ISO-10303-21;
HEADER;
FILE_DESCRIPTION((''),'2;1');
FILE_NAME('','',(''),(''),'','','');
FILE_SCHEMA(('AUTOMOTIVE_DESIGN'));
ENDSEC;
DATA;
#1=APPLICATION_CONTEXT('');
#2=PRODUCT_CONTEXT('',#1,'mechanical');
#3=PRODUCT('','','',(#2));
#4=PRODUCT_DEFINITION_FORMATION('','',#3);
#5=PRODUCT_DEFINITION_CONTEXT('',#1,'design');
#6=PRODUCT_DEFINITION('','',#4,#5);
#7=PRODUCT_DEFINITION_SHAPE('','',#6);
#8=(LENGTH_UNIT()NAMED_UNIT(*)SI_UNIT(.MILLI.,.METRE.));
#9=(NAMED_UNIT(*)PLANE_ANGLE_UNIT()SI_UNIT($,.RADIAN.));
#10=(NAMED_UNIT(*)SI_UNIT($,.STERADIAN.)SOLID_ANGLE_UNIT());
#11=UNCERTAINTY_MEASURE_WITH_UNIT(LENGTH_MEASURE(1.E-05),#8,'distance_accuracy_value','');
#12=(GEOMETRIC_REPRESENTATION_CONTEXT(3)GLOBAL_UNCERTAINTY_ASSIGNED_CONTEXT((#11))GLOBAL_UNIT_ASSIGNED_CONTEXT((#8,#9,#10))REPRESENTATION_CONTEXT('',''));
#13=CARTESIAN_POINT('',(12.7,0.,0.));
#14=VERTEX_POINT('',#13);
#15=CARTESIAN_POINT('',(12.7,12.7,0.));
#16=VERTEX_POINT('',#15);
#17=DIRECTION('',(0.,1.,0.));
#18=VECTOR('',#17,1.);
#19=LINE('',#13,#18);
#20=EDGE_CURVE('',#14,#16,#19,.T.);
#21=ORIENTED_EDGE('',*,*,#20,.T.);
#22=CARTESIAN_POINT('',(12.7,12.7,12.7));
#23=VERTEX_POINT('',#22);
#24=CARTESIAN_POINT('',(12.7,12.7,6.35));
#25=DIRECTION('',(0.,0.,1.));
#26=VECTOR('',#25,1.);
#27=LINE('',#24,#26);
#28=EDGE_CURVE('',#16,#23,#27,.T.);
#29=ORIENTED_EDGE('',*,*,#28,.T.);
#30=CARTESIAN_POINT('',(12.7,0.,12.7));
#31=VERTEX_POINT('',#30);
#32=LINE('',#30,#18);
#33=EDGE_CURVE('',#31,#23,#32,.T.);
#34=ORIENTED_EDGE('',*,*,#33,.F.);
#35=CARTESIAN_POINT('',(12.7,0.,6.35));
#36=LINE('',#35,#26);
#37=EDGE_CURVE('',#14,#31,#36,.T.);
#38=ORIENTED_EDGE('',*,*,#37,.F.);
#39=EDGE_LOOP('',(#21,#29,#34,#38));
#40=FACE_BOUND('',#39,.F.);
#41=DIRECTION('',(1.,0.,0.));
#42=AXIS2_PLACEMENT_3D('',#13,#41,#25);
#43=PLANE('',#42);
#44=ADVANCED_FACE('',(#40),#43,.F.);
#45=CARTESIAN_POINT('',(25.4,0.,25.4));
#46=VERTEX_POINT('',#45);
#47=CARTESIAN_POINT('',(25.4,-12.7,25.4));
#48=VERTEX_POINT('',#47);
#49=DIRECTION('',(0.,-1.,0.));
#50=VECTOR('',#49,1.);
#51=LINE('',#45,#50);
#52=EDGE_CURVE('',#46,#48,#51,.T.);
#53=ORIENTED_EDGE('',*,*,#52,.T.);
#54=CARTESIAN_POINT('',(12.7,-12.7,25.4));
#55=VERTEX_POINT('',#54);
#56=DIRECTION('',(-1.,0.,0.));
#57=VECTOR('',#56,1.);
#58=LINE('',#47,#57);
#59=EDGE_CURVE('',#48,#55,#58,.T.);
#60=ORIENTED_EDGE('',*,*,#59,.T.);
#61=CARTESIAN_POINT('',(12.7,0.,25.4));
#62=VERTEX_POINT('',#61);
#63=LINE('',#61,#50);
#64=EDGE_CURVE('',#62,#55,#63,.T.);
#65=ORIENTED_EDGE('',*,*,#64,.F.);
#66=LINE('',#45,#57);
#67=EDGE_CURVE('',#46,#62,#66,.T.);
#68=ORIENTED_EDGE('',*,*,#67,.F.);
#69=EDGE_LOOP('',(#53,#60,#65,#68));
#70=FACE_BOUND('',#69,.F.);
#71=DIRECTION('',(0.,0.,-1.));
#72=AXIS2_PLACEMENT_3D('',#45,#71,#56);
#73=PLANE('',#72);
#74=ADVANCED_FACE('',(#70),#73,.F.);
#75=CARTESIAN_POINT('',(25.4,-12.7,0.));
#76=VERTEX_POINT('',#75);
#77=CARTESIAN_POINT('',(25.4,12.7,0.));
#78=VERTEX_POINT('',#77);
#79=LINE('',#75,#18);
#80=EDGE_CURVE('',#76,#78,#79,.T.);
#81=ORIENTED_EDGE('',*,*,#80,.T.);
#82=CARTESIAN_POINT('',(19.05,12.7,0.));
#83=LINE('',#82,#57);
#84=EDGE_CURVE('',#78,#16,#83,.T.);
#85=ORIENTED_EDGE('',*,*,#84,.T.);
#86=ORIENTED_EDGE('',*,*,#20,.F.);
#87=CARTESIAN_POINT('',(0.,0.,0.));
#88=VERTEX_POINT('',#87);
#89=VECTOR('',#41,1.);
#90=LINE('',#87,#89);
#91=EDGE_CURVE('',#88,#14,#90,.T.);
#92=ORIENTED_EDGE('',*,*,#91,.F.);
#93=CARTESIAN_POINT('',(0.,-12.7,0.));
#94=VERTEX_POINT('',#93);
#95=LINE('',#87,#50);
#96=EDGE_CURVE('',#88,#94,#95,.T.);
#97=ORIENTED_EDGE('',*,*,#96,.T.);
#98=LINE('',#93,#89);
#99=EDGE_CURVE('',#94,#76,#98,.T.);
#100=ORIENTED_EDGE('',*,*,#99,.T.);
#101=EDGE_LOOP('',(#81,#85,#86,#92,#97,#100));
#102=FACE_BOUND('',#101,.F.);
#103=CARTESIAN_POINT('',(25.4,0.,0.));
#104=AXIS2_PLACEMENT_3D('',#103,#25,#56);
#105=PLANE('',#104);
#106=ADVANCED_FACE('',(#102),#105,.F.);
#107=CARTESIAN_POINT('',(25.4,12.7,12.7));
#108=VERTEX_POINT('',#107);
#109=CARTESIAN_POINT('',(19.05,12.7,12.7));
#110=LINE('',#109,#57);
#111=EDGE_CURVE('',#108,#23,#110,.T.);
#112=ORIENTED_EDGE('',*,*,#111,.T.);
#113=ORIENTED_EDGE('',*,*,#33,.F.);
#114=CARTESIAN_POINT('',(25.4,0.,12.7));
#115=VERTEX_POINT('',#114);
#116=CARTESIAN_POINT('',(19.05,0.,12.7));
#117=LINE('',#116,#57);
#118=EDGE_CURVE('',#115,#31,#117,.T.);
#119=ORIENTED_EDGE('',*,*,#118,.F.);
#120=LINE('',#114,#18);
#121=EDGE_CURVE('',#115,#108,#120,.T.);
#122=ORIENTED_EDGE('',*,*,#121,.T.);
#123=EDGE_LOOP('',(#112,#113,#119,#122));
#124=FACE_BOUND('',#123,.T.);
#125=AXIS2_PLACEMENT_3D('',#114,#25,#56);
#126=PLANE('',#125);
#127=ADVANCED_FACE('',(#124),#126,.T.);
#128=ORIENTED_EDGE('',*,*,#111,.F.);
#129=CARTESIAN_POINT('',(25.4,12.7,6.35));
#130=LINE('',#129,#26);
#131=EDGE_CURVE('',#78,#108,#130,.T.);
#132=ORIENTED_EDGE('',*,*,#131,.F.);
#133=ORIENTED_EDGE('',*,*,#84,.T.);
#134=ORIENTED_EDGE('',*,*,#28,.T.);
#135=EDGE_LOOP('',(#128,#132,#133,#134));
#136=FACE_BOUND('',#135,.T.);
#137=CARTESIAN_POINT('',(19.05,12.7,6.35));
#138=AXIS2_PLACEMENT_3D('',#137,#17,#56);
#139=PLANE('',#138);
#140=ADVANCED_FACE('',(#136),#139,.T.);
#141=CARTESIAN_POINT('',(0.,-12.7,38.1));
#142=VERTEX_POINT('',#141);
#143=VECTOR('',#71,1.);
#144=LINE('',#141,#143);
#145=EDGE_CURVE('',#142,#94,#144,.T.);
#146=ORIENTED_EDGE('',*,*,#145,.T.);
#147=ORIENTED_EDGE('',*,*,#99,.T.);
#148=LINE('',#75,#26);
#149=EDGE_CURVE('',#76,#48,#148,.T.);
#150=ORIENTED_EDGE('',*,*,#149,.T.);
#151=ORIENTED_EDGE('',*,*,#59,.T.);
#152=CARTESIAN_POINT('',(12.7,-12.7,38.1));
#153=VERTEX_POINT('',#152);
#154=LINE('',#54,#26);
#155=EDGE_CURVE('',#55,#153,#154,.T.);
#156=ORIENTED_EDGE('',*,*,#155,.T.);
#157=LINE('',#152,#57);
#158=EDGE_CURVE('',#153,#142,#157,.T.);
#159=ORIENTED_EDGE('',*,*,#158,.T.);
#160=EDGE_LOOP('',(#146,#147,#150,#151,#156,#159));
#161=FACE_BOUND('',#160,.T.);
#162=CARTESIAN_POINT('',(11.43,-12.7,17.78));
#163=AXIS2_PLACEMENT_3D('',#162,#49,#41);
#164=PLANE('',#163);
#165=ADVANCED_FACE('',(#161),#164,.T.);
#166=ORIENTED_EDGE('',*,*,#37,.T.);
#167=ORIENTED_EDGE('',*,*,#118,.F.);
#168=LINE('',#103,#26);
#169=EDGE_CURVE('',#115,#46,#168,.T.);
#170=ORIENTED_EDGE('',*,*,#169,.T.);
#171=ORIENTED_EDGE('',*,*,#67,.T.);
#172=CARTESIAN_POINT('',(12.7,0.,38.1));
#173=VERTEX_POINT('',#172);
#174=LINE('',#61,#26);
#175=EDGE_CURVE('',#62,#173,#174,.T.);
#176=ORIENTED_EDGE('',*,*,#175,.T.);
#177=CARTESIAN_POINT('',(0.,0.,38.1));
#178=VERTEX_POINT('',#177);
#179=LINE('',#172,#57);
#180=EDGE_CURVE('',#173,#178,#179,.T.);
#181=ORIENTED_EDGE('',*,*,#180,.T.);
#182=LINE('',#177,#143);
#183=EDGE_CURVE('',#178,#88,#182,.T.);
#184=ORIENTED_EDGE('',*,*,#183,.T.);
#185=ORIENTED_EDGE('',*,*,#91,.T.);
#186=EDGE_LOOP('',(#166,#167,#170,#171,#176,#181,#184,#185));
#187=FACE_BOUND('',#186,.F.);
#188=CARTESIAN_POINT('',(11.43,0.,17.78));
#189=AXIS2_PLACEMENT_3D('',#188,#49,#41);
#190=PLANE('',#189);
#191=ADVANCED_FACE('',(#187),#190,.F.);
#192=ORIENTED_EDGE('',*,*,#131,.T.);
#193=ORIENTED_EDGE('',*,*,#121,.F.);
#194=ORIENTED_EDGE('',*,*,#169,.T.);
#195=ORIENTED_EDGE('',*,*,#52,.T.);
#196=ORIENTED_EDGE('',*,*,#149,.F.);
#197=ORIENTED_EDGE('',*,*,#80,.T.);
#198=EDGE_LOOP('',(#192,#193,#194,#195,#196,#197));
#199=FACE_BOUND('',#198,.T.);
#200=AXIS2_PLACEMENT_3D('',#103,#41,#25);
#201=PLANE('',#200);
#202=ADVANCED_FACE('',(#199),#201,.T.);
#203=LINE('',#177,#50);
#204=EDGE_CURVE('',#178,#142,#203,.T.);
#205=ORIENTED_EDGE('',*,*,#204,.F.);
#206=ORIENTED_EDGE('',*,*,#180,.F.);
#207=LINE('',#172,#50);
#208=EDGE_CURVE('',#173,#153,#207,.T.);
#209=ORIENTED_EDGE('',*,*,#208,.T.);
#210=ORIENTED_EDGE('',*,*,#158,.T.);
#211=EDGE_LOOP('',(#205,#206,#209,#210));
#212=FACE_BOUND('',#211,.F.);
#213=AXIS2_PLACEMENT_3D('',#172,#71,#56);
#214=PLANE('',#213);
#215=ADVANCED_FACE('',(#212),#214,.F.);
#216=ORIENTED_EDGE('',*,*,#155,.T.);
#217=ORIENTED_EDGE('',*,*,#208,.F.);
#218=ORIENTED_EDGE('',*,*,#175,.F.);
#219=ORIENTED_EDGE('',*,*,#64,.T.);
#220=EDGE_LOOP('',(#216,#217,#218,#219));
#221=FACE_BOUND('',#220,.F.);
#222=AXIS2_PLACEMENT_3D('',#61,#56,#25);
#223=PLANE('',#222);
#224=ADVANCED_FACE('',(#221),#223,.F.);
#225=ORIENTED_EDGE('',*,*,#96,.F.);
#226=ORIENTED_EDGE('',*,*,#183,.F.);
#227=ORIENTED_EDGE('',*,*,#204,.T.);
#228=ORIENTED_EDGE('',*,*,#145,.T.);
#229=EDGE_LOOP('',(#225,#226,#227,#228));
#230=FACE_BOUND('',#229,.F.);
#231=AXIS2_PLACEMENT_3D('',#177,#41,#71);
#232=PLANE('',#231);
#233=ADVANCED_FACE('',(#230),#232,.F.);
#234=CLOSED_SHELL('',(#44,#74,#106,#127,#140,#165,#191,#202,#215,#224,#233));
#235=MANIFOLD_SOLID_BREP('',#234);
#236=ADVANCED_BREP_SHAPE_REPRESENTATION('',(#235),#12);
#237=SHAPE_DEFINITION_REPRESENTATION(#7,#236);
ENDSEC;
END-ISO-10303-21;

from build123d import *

# Parameters (mm, degrees)
F1_DEPTH = 12.7
F2_W     = 12.7
F2_H     = 12.7
F3_DEPTH = 12.7


with BuildPart() as f1:
    # F0 (on Front) → F1 (new body)
    with BuildSketch(Plane.XZ):
        Polygon((0, 38.1), (0, 0), (25.4, 0), (25.4, 25.4), (12.7, 25.4), (12.7, 38.1), align=None)
    extrude(amount=F1_DEPTH)

    # F2 (on face) → F3 (join)
    with BuildSketch(Plane(origin=(0, 0, 0), x_dir=(-1, 0, 0), z_dir=(0, 1, 0))):
        with Locations((-19.05, 6.35)):
            Rectangle(F2_W, F2_H)
    extrude(amount=F3_DEPTH)


solid = f1.part
